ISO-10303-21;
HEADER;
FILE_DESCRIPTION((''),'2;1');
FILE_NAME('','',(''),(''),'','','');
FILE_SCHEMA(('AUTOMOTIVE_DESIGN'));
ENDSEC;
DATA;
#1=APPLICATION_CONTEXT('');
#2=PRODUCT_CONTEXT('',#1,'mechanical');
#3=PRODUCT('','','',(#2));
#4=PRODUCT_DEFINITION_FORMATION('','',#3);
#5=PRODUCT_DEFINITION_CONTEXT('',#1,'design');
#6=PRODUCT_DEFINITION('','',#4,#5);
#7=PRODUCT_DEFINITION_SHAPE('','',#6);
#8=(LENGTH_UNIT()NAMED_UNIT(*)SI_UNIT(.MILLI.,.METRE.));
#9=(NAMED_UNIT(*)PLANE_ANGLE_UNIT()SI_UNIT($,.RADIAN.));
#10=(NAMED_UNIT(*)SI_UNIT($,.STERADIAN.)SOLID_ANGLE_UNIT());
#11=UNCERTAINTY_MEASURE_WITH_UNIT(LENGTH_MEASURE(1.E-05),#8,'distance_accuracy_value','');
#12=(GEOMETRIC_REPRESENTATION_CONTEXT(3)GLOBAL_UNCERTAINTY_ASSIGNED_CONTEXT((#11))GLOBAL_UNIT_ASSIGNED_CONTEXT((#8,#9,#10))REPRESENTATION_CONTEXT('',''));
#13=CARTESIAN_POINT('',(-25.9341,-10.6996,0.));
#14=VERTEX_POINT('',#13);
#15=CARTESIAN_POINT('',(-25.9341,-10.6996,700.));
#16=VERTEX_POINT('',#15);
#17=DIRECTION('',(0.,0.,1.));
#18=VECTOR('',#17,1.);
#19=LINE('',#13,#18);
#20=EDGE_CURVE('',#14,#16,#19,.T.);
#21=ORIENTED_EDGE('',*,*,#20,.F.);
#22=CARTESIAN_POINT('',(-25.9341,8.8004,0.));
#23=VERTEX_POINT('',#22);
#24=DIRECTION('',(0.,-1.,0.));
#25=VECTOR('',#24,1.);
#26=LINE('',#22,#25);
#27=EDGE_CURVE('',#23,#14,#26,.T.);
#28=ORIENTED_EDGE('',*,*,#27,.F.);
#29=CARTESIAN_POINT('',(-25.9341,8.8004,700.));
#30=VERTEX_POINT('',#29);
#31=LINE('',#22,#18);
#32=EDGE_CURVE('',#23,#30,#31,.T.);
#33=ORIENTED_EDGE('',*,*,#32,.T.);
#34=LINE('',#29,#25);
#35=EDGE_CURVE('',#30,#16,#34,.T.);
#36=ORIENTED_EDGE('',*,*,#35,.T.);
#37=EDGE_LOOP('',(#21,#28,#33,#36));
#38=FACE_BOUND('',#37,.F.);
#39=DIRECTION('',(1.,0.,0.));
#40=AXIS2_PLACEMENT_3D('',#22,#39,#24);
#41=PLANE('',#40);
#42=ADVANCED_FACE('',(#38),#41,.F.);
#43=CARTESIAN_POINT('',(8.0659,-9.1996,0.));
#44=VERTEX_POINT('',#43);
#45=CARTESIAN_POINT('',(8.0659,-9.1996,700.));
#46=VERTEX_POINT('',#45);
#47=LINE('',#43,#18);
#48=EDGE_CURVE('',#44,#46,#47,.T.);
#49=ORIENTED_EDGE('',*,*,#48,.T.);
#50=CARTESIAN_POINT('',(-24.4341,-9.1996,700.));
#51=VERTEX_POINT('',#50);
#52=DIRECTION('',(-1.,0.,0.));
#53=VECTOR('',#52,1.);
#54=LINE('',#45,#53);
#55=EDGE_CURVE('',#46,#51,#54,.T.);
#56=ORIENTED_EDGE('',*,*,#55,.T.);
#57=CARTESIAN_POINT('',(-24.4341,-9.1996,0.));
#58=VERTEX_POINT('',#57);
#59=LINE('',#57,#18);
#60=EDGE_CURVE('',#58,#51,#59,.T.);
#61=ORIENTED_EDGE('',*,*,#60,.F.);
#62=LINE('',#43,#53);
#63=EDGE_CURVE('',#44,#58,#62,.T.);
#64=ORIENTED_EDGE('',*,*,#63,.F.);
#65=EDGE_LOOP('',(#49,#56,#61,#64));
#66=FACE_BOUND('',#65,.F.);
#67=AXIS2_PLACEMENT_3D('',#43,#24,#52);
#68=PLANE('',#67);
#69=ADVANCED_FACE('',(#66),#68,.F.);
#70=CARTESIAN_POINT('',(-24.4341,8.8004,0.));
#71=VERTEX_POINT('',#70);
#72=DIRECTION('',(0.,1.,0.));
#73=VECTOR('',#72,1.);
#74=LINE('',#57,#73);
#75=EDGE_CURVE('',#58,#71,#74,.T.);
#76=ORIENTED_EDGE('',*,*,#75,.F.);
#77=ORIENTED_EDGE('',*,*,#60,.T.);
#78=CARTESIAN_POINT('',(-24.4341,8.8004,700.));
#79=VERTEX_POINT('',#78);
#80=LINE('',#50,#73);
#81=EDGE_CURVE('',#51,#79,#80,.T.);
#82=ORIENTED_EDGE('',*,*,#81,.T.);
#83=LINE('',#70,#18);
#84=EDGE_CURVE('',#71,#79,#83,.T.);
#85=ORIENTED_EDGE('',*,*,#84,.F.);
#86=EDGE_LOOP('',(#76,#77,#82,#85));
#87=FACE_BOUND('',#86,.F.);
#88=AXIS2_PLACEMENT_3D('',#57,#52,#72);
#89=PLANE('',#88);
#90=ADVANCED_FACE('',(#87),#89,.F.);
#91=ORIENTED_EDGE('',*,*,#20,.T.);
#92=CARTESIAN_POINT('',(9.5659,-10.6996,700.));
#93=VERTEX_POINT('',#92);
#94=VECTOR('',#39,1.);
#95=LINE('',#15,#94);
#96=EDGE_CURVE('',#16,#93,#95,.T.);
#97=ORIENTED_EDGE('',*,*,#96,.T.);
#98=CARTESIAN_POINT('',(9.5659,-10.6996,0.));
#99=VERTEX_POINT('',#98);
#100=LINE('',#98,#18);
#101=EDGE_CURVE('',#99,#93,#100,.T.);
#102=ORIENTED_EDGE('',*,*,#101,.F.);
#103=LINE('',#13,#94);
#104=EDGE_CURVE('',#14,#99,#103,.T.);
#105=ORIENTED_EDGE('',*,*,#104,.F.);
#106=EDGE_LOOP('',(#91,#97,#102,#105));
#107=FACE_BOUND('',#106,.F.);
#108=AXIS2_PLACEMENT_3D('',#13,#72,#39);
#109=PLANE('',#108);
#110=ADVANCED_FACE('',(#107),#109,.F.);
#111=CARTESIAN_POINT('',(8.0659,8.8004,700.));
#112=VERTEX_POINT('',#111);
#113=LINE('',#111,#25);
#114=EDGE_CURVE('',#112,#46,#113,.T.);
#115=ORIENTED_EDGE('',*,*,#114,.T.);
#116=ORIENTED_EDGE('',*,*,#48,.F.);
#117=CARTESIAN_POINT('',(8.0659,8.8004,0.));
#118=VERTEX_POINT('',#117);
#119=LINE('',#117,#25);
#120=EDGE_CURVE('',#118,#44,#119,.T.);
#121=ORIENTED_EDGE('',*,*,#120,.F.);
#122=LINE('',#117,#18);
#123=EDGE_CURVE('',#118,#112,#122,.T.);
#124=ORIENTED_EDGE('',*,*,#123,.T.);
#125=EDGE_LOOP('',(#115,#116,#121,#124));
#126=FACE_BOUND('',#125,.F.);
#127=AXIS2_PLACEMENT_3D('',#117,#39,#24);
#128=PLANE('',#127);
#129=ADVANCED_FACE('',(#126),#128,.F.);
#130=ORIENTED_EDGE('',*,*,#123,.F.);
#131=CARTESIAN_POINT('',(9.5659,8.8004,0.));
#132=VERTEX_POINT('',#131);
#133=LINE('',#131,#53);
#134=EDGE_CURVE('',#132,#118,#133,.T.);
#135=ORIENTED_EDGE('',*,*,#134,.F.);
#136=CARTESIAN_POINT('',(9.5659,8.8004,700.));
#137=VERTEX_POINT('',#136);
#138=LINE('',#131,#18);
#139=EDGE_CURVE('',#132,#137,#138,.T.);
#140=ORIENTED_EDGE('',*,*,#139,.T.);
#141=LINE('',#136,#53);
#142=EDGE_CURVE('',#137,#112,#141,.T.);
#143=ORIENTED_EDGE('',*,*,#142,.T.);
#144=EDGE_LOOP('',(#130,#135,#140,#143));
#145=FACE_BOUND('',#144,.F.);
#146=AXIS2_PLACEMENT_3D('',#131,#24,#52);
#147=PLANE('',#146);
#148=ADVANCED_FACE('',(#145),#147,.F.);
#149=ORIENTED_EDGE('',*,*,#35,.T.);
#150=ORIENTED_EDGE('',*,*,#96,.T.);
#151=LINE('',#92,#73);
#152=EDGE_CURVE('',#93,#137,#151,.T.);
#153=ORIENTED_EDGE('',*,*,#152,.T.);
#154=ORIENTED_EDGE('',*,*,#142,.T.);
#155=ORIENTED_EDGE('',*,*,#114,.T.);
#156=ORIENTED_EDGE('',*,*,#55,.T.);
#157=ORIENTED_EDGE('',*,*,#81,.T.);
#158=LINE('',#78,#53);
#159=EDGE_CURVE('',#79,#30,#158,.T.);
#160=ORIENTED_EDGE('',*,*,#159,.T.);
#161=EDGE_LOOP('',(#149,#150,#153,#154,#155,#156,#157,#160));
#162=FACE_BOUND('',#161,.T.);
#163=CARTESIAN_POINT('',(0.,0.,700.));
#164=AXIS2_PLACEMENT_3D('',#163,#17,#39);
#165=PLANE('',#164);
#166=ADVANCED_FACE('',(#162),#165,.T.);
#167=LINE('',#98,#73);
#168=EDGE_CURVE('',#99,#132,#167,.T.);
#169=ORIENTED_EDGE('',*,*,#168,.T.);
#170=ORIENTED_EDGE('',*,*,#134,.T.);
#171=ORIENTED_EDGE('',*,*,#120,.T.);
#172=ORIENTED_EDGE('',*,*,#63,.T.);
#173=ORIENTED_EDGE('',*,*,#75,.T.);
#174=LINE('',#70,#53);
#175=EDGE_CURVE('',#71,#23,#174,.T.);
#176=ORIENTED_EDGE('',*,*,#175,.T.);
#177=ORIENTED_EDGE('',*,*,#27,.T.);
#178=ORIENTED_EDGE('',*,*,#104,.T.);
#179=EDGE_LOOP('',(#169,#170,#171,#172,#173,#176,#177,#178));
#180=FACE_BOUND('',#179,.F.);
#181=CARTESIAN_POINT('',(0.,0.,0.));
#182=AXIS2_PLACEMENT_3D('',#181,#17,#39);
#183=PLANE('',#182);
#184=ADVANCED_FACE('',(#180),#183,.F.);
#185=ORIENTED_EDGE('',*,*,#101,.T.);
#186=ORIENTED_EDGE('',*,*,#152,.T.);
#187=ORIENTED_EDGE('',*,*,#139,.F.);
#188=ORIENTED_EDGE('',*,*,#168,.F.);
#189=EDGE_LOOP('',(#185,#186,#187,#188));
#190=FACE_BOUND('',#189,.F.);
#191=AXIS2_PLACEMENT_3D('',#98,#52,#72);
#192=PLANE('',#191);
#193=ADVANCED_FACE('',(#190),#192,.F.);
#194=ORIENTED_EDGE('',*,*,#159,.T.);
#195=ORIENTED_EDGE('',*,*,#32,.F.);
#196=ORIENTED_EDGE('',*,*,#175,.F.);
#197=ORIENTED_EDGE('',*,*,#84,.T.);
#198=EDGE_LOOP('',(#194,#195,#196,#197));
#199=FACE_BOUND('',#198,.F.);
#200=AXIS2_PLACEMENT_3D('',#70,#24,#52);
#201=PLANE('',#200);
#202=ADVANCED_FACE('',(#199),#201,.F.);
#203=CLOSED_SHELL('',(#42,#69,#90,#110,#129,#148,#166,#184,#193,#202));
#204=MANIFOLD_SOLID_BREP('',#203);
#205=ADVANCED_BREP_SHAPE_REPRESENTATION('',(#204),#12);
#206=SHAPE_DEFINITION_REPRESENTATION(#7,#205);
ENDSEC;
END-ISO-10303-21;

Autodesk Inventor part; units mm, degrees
ref_plane "YZ Plane" through (0, 0, 0) normal (1, 0, 0) x (0, 1, 0)
ref_plane "XZ Plane" through (0, 0, 0) normal (0, 1, 0) x (-1, 0, 0)
ref_plane "XY Plane" through (0, 0, 0) normal (0, 0, 1) x (1, 0, 0)
sketch "Skizze1" plane through (0, 0, 0) normal (0, 0, 1) x (1, 0, 0)
  line L0 (-25.9341, 8.8004) -> (-25.9341, -10.6996)
  line L1 (-25.9341, -10.6996) -> (9.5659, -10.6996)
  line L2 (9.5659, -10.6996) -> (9.5659, 8.8004)
  line L3 (9.5659, 8.8004) -> (8.0659, 8.8004)
  line L4 (8.0659, 8.8004) -> (8.0659, -9.1996)
  line L5 (8.0659, -9.1996) -> (-24.4341, -9.1996)
  line L6 (-24.4341, -9.1996) -> (-24.4341, 8.8004)
  line L7 (-24.4341, 8.8004) -> (-25.9341, 8.8004)
  point P0 (0, 0)
  dimension "d0" = 35.5
  dimension "d1" = 32.5
  dimension "d2" = 1.5
  dimension "d3" = 19.5
  dimension "d4" = 1.5
extrude "Extrusion1" add sketch "Skizze1" along normal blind 700
properties part number "Grundstange Bauhaus"
